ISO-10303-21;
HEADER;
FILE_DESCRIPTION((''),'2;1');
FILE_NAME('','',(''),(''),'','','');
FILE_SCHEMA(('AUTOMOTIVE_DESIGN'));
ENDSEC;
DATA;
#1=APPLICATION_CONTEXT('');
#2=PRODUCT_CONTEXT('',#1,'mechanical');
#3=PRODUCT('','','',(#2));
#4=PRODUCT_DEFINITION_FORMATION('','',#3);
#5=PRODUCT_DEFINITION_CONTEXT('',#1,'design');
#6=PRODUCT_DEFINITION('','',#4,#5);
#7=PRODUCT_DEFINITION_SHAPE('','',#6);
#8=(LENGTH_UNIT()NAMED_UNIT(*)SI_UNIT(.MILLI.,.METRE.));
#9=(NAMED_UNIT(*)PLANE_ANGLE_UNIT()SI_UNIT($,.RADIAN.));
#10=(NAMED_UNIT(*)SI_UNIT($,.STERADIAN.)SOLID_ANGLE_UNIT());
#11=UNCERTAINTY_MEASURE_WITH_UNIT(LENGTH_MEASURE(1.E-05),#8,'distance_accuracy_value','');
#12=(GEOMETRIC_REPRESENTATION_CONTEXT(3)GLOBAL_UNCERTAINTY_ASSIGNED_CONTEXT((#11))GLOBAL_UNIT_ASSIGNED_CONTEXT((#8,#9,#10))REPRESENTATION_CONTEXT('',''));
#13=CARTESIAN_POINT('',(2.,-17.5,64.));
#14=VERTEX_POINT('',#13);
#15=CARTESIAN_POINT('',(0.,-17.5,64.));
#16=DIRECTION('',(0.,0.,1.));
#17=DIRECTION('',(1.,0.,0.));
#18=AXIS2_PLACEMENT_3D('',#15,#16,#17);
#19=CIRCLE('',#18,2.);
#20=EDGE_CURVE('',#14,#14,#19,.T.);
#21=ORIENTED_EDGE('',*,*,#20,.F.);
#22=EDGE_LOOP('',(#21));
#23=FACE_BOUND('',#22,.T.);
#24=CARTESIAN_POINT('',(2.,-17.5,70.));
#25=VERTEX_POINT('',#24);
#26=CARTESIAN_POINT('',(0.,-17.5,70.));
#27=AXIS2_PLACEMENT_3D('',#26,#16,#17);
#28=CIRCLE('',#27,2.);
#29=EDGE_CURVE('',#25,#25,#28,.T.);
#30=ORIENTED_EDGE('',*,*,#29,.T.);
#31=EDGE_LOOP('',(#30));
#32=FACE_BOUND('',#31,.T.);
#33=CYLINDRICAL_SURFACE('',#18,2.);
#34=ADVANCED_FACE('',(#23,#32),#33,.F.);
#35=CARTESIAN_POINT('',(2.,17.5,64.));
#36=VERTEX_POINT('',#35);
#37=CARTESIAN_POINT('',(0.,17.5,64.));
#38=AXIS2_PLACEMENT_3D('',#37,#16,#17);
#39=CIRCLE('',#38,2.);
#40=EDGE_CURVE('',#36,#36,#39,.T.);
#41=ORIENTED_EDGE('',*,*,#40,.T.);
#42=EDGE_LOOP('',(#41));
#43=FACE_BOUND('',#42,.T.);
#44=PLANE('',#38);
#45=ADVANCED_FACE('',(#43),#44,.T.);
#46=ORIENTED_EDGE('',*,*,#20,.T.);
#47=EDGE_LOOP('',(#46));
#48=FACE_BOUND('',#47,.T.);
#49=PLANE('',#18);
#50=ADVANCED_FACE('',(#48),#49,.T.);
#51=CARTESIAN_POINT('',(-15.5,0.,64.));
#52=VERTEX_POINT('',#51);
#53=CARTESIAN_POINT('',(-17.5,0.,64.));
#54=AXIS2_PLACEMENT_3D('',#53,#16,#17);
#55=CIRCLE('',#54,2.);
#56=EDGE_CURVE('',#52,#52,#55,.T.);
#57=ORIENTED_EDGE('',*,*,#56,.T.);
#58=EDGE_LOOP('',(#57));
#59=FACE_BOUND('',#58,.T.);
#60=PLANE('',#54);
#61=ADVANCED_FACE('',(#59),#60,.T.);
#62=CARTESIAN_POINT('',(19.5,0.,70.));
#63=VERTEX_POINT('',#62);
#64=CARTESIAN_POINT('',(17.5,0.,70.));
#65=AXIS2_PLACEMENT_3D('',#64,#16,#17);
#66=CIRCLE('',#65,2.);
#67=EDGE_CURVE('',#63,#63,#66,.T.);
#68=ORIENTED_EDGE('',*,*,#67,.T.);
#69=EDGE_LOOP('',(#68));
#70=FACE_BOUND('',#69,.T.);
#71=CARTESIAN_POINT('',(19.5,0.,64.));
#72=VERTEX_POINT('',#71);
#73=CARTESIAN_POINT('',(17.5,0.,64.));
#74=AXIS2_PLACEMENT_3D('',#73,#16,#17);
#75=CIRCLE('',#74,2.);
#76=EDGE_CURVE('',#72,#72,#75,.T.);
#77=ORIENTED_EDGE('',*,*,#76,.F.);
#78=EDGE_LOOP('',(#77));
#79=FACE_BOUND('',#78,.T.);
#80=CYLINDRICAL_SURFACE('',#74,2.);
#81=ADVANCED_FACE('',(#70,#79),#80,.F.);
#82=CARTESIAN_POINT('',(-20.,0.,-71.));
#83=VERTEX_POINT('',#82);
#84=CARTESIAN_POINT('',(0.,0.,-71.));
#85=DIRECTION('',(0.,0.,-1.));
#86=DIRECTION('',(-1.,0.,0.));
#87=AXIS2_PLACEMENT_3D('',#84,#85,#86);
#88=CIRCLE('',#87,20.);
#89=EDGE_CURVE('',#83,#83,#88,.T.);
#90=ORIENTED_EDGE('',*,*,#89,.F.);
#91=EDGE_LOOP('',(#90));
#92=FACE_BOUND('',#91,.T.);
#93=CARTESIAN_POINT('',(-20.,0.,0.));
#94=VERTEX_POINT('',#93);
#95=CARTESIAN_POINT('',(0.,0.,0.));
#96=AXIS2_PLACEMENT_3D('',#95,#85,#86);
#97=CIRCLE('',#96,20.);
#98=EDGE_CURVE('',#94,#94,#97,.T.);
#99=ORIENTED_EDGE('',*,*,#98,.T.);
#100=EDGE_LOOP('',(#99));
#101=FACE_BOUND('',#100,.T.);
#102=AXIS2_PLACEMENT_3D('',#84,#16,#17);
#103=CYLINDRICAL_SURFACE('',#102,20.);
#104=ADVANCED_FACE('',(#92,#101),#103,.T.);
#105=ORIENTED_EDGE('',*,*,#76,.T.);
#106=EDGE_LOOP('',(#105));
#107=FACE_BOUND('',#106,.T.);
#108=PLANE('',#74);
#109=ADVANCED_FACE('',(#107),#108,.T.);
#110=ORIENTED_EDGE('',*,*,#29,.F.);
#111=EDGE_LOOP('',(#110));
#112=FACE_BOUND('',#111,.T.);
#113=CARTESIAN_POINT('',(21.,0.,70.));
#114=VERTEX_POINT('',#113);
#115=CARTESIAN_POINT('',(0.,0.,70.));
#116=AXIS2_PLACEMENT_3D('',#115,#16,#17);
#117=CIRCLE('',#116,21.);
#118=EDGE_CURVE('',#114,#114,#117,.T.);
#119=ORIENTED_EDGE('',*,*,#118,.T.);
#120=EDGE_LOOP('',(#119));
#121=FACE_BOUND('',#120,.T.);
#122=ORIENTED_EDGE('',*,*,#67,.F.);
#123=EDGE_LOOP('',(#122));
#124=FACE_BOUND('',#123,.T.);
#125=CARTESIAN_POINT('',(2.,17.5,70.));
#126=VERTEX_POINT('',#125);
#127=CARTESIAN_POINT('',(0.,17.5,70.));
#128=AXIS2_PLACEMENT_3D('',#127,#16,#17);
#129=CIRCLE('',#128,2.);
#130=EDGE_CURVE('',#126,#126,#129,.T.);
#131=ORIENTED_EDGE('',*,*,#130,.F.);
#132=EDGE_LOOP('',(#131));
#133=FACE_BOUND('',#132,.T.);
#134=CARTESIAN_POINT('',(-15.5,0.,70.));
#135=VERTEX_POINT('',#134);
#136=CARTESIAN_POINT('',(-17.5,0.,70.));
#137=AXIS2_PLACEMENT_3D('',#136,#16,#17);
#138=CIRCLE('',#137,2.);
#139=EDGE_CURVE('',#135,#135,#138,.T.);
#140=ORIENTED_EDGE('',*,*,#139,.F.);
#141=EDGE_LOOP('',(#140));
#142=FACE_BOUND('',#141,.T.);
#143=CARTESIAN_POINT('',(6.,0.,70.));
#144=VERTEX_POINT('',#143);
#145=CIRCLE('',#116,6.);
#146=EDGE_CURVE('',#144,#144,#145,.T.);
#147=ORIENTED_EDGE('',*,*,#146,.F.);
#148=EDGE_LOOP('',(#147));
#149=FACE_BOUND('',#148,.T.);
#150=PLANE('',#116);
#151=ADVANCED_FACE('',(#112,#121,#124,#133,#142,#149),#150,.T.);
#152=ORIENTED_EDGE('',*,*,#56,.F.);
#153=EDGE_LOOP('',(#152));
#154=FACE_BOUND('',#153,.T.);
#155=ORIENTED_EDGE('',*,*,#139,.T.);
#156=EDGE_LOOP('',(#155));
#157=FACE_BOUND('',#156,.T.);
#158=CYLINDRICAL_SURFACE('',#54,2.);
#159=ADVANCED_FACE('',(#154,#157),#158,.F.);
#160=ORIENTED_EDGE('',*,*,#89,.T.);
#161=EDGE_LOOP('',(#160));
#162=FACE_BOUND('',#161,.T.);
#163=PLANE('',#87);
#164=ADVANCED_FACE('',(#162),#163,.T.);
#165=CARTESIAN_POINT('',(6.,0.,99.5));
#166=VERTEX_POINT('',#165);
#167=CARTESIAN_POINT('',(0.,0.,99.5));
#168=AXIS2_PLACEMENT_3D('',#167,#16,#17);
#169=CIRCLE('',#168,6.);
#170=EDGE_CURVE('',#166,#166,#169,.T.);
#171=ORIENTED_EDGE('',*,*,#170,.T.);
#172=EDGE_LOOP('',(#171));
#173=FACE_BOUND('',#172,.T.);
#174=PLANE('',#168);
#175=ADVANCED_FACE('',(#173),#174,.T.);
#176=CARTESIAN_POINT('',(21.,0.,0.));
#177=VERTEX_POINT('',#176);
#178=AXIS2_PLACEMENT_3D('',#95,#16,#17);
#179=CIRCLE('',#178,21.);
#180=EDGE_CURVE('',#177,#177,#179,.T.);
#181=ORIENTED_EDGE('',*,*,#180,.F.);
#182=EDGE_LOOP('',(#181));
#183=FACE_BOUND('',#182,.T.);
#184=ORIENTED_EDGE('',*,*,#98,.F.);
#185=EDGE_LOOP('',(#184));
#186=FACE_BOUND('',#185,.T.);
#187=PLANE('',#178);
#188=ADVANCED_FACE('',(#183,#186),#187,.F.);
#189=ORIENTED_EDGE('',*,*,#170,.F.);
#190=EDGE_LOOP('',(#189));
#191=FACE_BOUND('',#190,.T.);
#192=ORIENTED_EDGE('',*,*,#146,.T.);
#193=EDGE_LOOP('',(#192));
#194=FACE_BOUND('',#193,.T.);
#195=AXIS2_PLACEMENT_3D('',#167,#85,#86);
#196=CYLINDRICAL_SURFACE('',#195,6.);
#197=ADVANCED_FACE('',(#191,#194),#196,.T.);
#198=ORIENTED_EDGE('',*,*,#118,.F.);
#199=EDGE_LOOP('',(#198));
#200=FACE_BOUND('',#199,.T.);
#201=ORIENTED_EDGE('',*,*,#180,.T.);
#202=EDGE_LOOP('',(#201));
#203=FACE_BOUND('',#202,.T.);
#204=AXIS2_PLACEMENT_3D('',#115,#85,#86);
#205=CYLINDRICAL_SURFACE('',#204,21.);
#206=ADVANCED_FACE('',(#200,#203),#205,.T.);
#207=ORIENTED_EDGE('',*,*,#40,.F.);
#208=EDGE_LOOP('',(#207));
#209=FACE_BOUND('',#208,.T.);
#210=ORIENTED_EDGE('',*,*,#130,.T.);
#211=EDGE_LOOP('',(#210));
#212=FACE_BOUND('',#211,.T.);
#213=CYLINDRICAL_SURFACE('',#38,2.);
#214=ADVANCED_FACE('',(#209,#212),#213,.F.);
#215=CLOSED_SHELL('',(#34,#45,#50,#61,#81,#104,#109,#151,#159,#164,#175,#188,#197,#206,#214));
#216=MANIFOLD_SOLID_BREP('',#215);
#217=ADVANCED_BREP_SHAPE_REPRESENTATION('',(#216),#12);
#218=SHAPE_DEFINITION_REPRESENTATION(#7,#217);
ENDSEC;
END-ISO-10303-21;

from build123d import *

# Parameters (mm, degrees)
SZKIC1_R                    = 21
DODANIE_WYCI_GNI_CIE1_DEPTH = 70
SZKIC2_R                    = 2
WYTNIJ_WYCI_GNI_CIE1_DEPTH  = 6
SZKIC3_R                    = 6
DODANIE_WYCI_GNI_CIE2_DEPTH = 29.5
SZKIC4_R                    = 20
DODANIE_WYCI_GNI_CIE3_DEPTH = 71


with BuildPart() as part:
    # Szkic1 → Dodanie-wyciągnięcie1 (new body)
    with BuildSketch(Plane.XY):
        Circle(SZKIC1_R)
    extrude(amount=DODANIE_WYCI_GNI_CIE1_DEPTH)

    # Szkic2 → Wytnij-wyciągnięcie1 (cut)
    with BuildSketch(Plane.XY.offset(70)):
        with Locations((0, 17.5)):
            Circle(SZKIC2_R)
        with Locations((17.5, 0)):
            Circle(SZKIC2_R)
        with Locations((0, -17.5)):
            Circle(SZKIC2_R)
        with Locations((-17.5, 0)):
            Circle(SZKIC2_R)
    extrude(amount=-WYTNIJ_WYCI_GNI_CIE1_DEPTH, mode=Mode.SUBTRACT)

    # Szkic3 → Dodanie-wyciągnięcie2 (add)
    with BuildSketch(Plane.XY.offset(70)):
        Circle(SZKIC3_R)
    extrude(amount=DODANIE_WYCI_GNI_CIE2_DEPTH)

    # Szkic4 → Dodanie-wyciągnięcie3 (add)
    with BuildSketch(Plane(origin=(0, 0, 0), x_dir=(-1, 0, 0), z_dir=(0, 0, -1))):
        Circle(SZKIC4_R)
    extrude(amount=DODANIE_WYCI_GNI_CIE3_DEPTH)


solid = part.part
